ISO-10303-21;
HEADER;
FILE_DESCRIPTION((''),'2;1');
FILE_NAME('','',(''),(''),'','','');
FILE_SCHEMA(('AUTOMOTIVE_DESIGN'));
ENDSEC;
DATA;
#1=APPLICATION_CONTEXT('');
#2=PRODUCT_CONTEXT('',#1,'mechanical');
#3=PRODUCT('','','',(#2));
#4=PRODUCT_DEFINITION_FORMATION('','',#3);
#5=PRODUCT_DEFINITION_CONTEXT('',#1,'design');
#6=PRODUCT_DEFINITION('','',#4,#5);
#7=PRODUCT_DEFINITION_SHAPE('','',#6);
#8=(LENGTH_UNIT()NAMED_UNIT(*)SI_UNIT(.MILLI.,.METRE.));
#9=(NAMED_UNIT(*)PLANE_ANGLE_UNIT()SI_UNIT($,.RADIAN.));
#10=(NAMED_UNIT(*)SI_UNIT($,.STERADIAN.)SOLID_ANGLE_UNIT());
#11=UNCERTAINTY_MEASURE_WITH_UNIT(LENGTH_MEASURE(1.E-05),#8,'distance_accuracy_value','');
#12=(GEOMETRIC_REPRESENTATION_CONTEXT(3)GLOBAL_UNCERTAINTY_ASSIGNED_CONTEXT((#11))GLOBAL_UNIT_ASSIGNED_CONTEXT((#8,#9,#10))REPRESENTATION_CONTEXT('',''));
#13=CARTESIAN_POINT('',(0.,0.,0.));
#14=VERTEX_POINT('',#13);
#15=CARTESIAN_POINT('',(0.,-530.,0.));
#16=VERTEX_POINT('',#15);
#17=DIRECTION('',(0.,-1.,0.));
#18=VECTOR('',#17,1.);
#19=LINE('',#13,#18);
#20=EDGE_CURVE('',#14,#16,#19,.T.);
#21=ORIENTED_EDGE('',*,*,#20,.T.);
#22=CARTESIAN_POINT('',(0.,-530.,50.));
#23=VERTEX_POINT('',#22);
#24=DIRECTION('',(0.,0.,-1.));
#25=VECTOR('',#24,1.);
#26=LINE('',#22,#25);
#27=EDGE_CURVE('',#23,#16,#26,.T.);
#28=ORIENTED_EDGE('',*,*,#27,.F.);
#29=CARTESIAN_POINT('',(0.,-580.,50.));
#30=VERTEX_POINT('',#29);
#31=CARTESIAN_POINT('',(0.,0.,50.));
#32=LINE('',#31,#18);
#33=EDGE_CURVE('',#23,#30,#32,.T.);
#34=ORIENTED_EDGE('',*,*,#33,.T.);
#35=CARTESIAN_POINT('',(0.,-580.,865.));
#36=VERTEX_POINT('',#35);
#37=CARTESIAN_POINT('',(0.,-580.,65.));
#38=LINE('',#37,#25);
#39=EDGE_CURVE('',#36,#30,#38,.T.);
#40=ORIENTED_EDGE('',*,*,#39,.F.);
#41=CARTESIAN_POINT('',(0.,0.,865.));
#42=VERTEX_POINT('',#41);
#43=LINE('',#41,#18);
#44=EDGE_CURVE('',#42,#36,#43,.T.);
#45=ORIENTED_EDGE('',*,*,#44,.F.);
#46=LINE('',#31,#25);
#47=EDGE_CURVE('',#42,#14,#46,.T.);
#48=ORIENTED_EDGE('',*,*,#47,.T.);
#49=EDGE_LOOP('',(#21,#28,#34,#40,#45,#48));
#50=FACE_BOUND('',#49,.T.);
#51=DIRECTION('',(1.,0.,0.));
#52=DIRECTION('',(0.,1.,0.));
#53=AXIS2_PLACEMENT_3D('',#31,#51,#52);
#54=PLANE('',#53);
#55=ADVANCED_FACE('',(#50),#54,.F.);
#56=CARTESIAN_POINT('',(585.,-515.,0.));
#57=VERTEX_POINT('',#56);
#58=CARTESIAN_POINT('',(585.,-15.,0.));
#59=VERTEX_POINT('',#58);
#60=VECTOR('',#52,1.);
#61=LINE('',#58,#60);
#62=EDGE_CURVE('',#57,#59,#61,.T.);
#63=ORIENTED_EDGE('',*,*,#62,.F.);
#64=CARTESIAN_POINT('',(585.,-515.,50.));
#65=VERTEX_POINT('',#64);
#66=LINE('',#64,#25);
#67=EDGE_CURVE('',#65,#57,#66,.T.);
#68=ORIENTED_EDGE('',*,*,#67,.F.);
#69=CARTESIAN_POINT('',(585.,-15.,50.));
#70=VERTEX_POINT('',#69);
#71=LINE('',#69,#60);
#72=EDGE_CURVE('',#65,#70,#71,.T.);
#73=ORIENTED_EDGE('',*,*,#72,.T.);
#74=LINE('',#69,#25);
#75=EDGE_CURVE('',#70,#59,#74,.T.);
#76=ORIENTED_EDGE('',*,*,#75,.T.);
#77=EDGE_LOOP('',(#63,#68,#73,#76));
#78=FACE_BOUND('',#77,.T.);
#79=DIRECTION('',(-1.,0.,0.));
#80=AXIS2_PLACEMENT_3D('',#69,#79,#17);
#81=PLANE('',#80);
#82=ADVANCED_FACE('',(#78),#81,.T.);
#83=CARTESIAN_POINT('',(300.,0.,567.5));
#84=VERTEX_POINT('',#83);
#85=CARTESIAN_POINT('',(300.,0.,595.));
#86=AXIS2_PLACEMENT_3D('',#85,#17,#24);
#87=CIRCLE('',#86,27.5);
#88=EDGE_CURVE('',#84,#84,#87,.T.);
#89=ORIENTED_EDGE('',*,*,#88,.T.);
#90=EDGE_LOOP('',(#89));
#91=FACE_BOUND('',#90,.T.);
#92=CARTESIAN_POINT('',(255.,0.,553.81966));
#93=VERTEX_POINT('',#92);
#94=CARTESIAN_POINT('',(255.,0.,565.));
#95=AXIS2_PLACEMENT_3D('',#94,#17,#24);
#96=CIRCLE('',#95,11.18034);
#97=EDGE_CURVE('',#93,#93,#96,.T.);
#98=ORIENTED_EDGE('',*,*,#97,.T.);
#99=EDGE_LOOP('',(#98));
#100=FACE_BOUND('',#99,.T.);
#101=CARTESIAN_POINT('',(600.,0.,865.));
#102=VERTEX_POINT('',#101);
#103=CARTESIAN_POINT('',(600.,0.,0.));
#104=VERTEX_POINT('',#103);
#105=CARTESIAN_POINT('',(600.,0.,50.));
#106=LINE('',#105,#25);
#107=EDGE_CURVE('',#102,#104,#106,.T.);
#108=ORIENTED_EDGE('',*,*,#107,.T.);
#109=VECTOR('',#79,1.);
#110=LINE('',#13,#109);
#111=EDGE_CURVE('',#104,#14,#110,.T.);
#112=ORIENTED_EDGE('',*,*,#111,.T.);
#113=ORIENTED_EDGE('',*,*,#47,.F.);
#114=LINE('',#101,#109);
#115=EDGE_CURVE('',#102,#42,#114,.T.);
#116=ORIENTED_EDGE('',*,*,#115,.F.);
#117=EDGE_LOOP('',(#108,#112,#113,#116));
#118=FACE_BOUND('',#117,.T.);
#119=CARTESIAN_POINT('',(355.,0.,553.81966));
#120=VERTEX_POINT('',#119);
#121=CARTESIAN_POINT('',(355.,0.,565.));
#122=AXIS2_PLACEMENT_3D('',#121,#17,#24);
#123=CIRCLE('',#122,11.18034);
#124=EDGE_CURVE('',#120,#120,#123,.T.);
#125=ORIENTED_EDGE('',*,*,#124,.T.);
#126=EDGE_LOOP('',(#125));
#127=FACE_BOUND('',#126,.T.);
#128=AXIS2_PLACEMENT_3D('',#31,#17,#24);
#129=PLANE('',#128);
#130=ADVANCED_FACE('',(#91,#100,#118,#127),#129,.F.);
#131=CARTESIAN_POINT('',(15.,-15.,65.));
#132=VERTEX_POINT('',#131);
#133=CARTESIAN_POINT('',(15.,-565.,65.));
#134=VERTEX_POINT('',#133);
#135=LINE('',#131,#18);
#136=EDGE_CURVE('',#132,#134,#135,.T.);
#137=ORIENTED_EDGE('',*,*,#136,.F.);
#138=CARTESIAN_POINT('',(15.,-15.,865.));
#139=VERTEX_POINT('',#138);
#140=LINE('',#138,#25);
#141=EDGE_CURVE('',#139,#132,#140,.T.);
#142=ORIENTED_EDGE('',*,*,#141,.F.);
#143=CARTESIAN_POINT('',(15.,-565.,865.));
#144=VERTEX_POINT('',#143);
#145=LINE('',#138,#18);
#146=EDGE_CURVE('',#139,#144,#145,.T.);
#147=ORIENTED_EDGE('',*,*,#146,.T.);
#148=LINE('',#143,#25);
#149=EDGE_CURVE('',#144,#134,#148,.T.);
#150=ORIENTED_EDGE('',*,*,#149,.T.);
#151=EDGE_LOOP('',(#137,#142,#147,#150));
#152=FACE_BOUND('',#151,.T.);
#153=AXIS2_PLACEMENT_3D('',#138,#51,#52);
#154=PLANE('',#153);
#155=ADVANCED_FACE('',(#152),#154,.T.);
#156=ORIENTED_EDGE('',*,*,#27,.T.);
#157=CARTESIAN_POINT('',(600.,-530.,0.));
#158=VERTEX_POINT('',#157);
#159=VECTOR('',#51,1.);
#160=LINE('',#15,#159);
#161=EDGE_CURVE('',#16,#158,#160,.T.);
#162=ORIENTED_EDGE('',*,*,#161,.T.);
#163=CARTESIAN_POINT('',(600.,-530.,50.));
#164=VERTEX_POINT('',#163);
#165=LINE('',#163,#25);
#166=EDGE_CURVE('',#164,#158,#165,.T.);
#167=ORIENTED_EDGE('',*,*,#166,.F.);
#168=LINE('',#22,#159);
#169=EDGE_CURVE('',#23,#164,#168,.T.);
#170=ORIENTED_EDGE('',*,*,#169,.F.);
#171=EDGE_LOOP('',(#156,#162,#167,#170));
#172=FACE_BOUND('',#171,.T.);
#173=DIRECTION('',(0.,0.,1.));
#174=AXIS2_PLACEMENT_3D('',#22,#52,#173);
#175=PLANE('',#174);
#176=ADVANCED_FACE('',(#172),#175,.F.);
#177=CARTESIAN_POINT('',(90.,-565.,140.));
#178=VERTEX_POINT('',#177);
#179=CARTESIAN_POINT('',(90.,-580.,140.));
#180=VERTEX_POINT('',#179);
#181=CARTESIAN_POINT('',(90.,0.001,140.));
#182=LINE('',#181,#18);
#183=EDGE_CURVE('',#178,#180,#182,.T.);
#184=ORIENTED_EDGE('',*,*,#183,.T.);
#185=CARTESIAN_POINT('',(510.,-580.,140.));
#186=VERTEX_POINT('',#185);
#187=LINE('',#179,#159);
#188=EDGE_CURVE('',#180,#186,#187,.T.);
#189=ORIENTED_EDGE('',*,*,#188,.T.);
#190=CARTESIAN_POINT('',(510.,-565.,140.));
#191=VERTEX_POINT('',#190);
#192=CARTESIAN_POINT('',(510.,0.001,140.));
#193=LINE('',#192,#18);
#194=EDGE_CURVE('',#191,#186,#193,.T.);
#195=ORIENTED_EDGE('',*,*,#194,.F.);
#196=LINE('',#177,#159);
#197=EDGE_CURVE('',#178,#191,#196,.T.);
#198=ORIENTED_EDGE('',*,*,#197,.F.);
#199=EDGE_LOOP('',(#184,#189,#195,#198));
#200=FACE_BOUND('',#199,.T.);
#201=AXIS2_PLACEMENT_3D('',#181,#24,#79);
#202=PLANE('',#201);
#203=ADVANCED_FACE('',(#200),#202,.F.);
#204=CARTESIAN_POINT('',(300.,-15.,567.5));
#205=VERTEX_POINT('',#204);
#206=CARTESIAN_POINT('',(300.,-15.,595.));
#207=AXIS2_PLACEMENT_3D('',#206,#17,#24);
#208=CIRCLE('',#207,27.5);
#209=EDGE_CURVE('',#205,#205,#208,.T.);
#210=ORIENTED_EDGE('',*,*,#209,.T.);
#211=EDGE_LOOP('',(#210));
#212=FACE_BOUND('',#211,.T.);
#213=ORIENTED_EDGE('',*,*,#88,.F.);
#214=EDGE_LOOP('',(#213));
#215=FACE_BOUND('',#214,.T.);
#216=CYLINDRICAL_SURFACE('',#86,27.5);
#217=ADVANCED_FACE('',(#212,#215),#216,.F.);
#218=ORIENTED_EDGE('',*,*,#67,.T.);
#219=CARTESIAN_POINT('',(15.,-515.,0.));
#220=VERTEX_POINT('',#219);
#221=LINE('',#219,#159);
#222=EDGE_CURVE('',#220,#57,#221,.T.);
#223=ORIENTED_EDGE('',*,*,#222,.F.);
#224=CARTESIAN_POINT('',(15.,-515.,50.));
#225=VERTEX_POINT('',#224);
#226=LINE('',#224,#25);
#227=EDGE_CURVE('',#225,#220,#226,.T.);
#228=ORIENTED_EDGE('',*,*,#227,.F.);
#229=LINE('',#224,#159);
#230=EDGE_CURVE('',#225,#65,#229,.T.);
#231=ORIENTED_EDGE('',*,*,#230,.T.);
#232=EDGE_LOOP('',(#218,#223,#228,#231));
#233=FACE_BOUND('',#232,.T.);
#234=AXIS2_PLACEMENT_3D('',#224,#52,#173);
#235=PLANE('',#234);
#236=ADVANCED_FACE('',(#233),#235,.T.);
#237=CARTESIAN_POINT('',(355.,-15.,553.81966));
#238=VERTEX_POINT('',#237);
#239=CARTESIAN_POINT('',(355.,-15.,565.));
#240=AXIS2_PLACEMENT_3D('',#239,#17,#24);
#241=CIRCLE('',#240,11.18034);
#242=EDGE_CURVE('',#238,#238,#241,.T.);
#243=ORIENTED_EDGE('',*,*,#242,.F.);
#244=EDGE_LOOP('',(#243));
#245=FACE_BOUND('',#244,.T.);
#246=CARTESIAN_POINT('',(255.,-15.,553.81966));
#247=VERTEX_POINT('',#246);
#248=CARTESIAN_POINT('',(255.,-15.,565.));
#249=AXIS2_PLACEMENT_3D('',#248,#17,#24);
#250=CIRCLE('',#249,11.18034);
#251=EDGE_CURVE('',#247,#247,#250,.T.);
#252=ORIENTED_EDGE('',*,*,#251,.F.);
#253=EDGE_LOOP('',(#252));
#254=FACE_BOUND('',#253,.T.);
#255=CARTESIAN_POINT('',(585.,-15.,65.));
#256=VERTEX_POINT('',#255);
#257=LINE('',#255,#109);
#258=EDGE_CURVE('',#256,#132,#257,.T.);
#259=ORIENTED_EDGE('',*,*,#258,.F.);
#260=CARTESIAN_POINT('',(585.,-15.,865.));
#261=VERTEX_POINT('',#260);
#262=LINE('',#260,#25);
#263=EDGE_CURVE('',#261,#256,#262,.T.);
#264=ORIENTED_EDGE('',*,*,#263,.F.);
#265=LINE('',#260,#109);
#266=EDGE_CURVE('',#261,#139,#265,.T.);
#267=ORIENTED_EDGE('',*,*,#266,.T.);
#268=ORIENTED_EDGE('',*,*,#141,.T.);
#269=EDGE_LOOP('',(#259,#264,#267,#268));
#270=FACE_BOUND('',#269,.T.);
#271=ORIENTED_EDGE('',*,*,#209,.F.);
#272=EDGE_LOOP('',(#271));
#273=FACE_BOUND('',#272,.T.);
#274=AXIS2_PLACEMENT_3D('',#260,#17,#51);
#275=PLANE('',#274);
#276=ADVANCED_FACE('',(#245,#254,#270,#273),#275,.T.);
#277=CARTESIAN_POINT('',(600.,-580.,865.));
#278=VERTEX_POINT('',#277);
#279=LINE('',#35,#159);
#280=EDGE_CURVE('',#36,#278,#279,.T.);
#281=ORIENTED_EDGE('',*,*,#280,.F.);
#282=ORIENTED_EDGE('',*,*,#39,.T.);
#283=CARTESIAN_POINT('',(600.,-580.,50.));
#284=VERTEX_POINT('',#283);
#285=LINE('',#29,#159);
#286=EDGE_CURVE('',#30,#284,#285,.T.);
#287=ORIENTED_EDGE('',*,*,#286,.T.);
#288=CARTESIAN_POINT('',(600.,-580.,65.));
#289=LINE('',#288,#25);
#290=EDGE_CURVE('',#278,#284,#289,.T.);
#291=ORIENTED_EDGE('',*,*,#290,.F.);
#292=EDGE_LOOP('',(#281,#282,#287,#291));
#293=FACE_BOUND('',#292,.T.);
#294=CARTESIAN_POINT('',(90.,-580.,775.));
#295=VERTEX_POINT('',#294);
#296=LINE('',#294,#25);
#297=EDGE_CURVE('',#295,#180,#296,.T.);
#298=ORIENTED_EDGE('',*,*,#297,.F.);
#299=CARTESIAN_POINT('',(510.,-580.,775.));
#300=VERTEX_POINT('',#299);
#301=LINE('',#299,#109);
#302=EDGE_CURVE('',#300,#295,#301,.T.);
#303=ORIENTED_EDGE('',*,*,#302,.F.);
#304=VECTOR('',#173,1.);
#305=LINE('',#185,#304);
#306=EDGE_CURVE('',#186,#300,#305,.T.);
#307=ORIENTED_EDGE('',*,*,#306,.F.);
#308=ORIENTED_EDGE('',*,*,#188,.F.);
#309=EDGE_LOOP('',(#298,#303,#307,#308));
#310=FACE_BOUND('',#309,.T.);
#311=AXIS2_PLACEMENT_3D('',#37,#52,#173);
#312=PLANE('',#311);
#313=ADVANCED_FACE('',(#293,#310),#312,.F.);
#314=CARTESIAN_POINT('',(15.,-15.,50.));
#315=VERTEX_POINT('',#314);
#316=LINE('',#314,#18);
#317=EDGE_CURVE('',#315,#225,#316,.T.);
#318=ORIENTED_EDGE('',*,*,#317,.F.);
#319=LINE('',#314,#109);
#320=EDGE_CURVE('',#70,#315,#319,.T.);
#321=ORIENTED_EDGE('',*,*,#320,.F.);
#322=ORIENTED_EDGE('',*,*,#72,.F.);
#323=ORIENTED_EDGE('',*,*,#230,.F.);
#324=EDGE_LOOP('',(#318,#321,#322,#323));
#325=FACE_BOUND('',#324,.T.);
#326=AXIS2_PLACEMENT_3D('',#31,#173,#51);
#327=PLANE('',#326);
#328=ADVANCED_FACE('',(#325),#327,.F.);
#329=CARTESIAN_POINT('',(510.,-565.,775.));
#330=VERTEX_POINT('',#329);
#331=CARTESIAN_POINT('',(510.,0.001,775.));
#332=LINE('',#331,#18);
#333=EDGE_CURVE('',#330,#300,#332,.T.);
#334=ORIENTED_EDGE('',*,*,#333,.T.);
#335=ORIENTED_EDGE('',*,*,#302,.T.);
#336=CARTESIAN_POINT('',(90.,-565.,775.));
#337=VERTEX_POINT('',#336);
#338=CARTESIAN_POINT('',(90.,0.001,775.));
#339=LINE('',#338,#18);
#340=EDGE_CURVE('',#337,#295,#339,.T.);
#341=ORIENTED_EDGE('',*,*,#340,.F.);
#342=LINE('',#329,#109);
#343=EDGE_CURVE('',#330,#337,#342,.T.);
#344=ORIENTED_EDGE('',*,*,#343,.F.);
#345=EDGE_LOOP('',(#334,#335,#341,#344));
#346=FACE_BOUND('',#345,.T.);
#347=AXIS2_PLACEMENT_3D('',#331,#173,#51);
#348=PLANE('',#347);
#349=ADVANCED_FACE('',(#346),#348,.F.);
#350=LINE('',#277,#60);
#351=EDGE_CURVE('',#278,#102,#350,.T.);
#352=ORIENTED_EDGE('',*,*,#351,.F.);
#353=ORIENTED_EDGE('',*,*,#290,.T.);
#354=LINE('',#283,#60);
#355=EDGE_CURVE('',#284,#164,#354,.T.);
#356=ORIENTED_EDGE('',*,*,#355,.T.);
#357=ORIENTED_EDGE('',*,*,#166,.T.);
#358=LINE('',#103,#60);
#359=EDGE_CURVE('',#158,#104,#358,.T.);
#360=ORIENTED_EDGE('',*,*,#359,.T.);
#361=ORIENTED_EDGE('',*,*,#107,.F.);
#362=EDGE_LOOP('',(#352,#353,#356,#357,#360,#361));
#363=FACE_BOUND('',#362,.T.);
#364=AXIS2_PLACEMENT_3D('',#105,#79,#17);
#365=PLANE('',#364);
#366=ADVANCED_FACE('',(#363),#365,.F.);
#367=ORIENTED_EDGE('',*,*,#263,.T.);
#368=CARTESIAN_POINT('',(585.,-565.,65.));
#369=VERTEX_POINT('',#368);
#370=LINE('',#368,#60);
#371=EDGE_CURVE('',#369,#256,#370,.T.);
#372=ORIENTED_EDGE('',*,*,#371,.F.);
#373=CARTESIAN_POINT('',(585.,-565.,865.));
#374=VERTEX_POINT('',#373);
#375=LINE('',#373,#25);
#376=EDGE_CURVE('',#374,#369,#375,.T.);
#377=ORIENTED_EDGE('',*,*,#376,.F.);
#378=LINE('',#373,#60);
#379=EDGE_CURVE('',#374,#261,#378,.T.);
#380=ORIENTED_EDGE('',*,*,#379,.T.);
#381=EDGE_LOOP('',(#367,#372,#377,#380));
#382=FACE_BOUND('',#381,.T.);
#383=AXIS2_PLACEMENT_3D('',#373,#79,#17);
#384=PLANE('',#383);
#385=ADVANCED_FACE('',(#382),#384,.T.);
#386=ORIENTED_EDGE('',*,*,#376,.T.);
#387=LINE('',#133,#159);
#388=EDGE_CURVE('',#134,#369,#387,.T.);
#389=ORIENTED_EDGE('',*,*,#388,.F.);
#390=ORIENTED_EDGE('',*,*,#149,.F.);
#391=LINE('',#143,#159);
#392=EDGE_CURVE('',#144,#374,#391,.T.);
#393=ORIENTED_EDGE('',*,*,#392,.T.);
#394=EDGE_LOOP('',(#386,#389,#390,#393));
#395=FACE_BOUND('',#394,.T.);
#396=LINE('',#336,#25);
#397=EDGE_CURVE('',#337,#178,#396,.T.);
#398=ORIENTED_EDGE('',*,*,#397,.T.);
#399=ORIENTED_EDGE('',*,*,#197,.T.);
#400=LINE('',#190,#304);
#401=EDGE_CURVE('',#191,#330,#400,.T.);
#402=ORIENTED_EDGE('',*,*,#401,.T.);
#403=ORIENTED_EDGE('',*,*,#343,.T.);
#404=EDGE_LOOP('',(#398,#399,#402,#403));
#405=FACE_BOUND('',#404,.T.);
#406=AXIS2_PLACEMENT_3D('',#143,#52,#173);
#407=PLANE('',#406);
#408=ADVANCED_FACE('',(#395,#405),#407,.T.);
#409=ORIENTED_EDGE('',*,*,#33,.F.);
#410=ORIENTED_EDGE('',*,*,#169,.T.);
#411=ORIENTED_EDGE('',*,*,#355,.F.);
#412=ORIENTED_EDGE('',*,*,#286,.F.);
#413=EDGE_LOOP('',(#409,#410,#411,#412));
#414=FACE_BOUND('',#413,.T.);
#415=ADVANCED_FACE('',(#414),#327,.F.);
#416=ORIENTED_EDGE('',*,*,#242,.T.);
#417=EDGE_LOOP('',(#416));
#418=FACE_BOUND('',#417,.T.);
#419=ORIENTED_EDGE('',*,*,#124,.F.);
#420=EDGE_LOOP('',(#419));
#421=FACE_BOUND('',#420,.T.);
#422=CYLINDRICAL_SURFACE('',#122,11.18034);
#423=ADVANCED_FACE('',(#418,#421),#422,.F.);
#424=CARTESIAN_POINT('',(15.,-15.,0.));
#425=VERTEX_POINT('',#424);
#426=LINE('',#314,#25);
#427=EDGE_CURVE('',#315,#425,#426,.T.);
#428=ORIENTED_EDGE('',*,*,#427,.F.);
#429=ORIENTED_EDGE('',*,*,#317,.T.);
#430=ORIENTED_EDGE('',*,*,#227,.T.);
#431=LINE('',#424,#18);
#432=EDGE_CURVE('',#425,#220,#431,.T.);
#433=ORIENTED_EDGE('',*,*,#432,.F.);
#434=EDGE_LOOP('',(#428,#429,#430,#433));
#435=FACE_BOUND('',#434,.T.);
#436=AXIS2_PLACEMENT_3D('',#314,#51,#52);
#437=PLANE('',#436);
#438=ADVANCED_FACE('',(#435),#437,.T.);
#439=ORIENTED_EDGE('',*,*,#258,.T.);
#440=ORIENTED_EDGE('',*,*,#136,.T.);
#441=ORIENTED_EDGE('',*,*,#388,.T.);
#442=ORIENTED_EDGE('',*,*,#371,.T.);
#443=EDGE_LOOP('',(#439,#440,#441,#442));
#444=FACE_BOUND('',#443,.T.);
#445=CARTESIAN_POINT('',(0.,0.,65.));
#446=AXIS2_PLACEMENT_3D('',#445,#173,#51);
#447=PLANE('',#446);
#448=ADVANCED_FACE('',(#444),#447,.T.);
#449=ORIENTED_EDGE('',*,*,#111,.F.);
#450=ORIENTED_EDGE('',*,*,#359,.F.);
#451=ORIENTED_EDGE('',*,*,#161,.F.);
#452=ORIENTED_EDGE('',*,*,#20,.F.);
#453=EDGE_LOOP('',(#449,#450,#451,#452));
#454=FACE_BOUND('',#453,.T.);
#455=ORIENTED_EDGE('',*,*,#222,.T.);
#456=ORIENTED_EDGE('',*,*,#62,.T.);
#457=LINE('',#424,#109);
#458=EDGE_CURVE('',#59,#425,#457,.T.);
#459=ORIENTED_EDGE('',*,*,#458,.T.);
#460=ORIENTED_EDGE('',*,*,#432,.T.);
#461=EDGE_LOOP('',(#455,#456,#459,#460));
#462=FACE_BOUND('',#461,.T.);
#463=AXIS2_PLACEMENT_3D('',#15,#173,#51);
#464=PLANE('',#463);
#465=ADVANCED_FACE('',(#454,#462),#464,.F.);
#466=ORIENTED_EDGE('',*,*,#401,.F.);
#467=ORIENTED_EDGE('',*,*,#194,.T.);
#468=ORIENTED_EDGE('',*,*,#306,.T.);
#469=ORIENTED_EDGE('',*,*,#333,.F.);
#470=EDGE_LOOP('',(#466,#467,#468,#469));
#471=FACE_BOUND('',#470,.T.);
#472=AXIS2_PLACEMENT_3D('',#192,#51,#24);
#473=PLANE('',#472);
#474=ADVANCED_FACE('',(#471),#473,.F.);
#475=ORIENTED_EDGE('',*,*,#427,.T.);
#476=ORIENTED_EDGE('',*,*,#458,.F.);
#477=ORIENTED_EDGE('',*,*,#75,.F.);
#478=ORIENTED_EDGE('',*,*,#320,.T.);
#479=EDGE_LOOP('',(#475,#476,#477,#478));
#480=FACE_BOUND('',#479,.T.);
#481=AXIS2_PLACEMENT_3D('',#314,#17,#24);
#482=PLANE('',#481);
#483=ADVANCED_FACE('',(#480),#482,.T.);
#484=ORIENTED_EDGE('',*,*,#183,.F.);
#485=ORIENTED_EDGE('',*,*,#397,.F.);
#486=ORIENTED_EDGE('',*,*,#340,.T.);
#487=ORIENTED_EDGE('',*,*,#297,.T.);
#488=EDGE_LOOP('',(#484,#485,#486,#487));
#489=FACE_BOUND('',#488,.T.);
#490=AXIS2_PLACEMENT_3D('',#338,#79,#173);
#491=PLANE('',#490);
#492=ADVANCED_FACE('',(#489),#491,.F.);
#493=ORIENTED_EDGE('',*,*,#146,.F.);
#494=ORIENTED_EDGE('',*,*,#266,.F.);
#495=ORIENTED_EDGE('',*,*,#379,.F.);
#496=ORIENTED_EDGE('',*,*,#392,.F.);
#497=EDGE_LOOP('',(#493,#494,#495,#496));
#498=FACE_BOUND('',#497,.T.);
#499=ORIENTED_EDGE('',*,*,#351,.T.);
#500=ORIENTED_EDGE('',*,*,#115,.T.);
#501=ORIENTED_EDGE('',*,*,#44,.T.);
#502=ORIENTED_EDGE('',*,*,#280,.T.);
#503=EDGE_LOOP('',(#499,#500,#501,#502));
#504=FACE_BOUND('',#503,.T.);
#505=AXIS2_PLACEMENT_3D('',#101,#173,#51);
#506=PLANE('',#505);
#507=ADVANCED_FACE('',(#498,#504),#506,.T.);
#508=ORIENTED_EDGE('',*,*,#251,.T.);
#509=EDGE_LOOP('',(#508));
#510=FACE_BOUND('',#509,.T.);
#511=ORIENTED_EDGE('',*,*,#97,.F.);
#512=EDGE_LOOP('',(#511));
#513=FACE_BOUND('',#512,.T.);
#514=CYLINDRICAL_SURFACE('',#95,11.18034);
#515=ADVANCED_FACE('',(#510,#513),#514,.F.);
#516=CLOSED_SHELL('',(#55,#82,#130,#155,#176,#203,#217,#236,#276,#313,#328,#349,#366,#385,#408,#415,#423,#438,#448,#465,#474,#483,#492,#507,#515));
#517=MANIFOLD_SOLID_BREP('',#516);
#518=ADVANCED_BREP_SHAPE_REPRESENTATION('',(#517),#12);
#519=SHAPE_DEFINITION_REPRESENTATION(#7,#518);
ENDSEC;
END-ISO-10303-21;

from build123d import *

# Parameters (mm, degrees)
SKETCH2_W           = 600
SKETCH2_H           = 530
SKETCH2_W_2         = 570
SKETCH2_H_2         = 500
BASE_EXTRUDE_DEPTH  = 50
SKETCH3_W           = 600
SKETCH3_H           = 580
BOSS_EXTRUDE2_DEPTH = 15
SKETCH4_W           = 600
SKETCH4_H           = 580
SKETCH4_W_2         = 570
SKETCH4_H_2         = 550
BOSS_EXTRUDE3_DEPTH = 800
CUT_EXTRUDE1_REACH  = 1203.926
SKETCH5_W           = 420
SKETCH5_H           = 635
SKETCH6_R           = 11.180339887
SKETCH6_R_2         = 27.5
CUT_EXTRUDE2_DEPTH  = 1195.759390003


with BuildPart() as part:
    # Sketch2 → Base-Extrude (new body)
    with BuildSketch(Plane.XY):
        with Locations((300, -265)):
            Rectangle(SKETCH2_W, SKETCH2_H)
        with Locations((300, -265)):
            Rectangle(SKETCH2_W_2, SKETCH2_H_2, mode=Mode.SUBTRACT)
    extrude(amount=BASE_EXTRUDE_DEPTH)

    # Sketch3 → Boss-Extrude2 (add)
    with BuildSketch(Plane.XY.offset(50)):
        with Locations((300, -290)):
            Rectangle(SKETCH3_W, SKETCH3_H)
    extrude(amount=BOSS_EXTRUDE2_DEPTH)

    # Sketch4 → Boss-Extrude3 (add)
    with BuildSketch(Plane.XY.offset(65)):
        with Locations((300, -290)):
            Rectangle(SKETCH4_W, SKETCH4_H)
        with Locations((300, -290)):
            Rectangle(SKETCH4_W_2, SKETCH4_H_2, mode=Mode.SUBTRACT)
    extrude(amount=BOSS_EXTRUDE3_DEPTH)

    # Sketch5 → Cut-Extrude1 (cut, up to next)
    with BuildSketch(Plane.XZ.offset(580), mode=Mode.PRIVATE) as cut_extrude1_sk1:
        with Locations((300, 457.5)):
            Rectangle(SKETCH5_W, SKETCH5_H)
    cut_extrude1_tool1 = extrude(cut_extrude1_sk1.sketch, amount=-CUT_EXTRUDE1_REACH, mode=Mode.PRIVATE) & part.part
    add(cut_extrude1_tool1.solids().sort_by_distance((300, -580, 457.5))[0], mode=Mode.SUBTRACT)

    # Sketch6 → Cut-Extrude2 (cut, through all)
    with BuildSketch(Plane.XZ.offset(15)):
        with Locations(Location((355, 565, 0), (0, 0, 270))):
            Circle(SKETCH6_R)
        with Locations(Location((255, 565, 0), (0, 0, 270))):
            Circle(SKETCH6_R)
        with Locations(Location((300, 595, 0), (0, 0, 270))):
            Circle(SKETCH6_R_2)
    extrude(amount=-CUT_EXTRUDE2_DEPTH, mode=Mode.SUBTRACT)


solid = part.part
